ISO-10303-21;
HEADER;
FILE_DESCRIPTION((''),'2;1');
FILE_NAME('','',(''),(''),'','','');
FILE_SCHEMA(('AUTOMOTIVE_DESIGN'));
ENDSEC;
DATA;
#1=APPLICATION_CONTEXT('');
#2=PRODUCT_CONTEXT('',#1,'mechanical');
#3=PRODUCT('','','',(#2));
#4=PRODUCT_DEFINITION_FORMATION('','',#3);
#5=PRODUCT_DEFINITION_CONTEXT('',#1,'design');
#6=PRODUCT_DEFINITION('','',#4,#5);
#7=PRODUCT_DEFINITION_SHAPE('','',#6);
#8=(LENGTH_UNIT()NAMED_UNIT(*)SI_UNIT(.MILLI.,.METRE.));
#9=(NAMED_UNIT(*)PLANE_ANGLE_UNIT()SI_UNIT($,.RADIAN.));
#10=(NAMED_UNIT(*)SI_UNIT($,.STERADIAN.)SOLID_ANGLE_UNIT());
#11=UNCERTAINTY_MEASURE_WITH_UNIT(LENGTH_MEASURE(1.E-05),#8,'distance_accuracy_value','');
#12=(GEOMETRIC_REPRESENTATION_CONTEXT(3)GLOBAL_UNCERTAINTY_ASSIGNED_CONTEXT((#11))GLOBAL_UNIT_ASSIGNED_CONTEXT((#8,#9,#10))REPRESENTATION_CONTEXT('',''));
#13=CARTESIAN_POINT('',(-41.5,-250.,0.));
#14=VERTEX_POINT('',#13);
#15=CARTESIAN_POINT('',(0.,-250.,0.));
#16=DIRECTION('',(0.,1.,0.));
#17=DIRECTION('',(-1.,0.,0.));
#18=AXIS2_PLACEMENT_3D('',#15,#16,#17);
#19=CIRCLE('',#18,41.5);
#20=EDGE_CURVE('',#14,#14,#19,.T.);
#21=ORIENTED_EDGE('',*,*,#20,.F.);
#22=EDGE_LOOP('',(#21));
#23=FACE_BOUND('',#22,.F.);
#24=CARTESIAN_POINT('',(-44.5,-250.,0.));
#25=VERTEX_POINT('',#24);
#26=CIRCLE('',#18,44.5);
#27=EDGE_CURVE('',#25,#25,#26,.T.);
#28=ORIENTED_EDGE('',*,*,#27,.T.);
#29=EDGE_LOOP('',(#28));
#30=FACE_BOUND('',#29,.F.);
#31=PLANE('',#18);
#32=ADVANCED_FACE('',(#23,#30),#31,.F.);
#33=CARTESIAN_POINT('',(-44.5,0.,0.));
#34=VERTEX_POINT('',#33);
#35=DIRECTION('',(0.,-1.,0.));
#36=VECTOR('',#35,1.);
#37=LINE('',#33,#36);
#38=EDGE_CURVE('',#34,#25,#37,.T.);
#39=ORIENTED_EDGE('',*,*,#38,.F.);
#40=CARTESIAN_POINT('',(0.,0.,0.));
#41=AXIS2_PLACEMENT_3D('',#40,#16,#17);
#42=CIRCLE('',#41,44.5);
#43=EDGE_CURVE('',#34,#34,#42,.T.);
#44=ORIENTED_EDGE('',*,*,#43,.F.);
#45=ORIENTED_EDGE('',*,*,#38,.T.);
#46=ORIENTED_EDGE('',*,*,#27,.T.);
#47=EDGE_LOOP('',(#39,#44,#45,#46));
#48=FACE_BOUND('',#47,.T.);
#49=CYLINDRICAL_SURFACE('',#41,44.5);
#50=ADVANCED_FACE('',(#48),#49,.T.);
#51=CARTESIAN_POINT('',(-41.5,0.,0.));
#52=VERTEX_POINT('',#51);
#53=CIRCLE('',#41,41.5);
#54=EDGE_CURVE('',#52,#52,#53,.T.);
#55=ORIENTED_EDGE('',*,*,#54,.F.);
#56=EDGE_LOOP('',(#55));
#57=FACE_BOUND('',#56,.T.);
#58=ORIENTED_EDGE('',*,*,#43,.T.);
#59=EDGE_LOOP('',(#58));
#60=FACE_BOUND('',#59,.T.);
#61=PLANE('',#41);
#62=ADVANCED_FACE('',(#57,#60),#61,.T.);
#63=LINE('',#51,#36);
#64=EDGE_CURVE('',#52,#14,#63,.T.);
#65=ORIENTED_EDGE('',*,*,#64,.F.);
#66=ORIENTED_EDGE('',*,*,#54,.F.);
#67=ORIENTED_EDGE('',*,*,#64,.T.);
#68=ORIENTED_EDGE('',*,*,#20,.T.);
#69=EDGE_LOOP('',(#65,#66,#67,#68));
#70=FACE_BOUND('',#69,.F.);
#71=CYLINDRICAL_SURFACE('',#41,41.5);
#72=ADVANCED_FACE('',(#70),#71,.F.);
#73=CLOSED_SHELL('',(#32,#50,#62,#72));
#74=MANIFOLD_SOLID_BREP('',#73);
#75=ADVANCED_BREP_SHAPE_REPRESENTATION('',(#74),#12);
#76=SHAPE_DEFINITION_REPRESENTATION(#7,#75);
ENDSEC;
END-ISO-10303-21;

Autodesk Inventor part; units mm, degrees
ref_plane "YZ Plane" through (0, 0, 0) normal (1, 0, 0) x (0, 1, 0)
ref_plane "XZ Plane" through (0, 0, 0) normal (0, 1, 0) x (-1, 0, 0)
ref_plane "XY Plane" through (0, 0, 0) normal (0, 0, 1) x (1, 0, 0)
sketch "Sketch1" plane through (0, 0, 0) normal (0, 1, 0) x (-1, 0, 0)
  circle A0 centre (0, 0) radius 44.5
  circle A1 centre (0, 0) radius 41.5
  dimension "d0" = 89
  dimension "d1" = 3
extrude "Extrusion1" add sketch "Sketch1" against normal blind 250
properties part number "PRS 1200-13 FDS tube 3"
